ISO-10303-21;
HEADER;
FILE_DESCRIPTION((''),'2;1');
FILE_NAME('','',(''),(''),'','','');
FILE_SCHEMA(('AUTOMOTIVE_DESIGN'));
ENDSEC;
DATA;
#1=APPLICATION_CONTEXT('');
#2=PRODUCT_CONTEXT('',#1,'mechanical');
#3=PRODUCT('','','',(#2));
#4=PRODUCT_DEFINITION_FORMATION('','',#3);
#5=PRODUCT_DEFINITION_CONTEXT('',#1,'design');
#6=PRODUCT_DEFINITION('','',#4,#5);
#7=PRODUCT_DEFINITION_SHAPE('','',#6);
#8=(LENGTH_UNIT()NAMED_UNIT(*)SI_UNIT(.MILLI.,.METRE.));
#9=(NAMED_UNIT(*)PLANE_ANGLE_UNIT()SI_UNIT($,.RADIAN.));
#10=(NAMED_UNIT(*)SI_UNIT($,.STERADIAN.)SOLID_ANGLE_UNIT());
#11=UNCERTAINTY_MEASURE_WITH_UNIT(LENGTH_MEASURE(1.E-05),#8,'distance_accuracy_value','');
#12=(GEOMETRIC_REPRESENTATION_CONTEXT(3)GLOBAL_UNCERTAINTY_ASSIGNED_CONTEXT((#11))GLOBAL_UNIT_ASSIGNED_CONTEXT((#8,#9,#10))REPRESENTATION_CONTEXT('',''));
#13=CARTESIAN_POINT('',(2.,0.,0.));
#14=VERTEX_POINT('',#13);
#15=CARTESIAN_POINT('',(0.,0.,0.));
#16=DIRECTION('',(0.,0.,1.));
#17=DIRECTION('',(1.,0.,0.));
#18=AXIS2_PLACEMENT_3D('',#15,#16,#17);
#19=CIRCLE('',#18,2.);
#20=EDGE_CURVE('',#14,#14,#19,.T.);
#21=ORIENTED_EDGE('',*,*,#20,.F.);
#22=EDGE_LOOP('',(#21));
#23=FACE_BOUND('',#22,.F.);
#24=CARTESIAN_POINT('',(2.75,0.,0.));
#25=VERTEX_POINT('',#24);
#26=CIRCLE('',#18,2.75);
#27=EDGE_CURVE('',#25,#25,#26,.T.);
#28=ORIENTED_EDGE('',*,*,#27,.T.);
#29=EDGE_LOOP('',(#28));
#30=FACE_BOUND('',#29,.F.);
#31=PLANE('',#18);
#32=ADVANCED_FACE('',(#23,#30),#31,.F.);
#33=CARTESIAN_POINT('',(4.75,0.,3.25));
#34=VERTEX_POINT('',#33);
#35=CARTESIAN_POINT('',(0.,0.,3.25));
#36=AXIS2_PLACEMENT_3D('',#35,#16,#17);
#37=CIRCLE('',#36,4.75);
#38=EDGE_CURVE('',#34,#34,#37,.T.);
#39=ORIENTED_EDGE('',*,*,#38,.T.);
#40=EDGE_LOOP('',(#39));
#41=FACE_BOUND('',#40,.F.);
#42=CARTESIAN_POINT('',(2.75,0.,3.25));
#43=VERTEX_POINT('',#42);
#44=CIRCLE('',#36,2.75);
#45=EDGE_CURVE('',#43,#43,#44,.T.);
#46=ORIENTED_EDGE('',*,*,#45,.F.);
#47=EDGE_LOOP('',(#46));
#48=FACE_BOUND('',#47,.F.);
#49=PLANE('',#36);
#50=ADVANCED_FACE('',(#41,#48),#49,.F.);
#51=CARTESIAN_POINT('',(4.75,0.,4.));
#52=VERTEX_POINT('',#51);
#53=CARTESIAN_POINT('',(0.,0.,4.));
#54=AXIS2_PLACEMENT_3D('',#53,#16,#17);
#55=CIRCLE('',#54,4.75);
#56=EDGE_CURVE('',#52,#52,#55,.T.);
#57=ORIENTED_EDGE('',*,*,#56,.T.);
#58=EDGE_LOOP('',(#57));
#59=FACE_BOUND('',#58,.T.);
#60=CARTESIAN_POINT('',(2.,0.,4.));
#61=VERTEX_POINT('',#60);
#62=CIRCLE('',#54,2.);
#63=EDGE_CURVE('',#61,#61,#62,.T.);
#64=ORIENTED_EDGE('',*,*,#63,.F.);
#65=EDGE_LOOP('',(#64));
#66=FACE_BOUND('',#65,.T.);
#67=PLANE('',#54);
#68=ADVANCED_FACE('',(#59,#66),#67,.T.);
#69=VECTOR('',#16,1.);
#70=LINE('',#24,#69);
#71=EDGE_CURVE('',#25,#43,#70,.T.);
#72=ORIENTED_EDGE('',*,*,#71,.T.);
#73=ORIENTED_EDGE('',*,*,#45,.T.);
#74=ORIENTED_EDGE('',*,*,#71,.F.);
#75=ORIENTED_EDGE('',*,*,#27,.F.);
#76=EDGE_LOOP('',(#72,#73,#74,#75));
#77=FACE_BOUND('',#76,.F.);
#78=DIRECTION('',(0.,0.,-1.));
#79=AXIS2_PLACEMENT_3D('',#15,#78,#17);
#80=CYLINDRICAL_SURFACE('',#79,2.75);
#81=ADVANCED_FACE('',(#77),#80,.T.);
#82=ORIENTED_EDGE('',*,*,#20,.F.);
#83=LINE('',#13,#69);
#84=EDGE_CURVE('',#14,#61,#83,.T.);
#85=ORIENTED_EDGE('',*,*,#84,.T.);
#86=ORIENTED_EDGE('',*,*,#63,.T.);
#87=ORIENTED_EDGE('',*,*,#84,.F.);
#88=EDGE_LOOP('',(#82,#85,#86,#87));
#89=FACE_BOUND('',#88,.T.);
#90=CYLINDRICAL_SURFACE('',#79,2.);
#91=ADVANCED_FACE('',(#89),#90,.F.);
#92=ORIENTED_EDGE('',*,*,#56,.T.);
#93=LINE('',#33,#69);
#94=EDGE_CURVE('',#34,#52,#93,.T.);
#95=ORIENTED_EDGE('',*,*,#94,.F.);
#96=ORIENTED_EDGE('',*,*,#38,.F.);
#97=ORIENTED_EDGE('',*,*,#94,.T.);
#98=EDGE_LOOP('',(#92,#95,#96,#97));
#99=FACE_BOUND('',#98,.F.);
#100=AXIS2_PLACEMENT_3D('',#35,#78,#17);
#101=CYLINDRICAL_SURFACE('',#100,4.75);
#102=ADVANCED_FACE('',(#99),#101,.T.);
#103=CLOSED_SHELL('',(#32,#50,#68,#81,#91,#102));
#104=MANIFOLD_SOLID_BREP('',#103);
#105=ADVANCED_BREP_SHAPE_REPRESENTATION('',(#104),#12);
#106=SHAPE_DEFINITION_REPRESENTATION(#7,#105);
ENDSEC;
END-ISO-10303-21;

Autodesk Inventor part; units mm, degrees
ref_plane "YZ Plane" through (0, 0, 0) normal (1, 0, 0) x (0, 1, 0)
ref_plane "XZ Plane" through (0, 0, 0) normal (0, 1, 0) x (-1, 0, 0)
ref_plane "XY Plane" through (0, 0, 0) normal (0, 0, 1) x (1, 0, 0)
sketch "Sketch1" plane through (0, 0, 0) normal (0, 0, 1) x (1, 0, 0)
  circle A0 centre (0, 0) radius 2
  circle A1 centre (0, 0) radius 2.75
  dimension "d0" = 4
  dimension "d1" = 5.5
extrude "Extrusion1" add sketch "Sketch1" along normal blind 3.25
sketch "Sketch2" plane through (0, 0, 3.25) normal (0, 0, 1) x (1, 0, 0)
  circle A0 centre (0, 0) radius 2 projected
  circle A1 centre (0, 0) radius 2.75 projected
  circle A2 centre (0, 0) radius 2
  circle A3 centre (0, 0) radius 4.75
  dimension "d4" = 9.5
extrude "Extrusion2" add sketch "Sketch2" along normal blind 0.75 contours A1 | A3
properties part number "H4FM_0405_04"
